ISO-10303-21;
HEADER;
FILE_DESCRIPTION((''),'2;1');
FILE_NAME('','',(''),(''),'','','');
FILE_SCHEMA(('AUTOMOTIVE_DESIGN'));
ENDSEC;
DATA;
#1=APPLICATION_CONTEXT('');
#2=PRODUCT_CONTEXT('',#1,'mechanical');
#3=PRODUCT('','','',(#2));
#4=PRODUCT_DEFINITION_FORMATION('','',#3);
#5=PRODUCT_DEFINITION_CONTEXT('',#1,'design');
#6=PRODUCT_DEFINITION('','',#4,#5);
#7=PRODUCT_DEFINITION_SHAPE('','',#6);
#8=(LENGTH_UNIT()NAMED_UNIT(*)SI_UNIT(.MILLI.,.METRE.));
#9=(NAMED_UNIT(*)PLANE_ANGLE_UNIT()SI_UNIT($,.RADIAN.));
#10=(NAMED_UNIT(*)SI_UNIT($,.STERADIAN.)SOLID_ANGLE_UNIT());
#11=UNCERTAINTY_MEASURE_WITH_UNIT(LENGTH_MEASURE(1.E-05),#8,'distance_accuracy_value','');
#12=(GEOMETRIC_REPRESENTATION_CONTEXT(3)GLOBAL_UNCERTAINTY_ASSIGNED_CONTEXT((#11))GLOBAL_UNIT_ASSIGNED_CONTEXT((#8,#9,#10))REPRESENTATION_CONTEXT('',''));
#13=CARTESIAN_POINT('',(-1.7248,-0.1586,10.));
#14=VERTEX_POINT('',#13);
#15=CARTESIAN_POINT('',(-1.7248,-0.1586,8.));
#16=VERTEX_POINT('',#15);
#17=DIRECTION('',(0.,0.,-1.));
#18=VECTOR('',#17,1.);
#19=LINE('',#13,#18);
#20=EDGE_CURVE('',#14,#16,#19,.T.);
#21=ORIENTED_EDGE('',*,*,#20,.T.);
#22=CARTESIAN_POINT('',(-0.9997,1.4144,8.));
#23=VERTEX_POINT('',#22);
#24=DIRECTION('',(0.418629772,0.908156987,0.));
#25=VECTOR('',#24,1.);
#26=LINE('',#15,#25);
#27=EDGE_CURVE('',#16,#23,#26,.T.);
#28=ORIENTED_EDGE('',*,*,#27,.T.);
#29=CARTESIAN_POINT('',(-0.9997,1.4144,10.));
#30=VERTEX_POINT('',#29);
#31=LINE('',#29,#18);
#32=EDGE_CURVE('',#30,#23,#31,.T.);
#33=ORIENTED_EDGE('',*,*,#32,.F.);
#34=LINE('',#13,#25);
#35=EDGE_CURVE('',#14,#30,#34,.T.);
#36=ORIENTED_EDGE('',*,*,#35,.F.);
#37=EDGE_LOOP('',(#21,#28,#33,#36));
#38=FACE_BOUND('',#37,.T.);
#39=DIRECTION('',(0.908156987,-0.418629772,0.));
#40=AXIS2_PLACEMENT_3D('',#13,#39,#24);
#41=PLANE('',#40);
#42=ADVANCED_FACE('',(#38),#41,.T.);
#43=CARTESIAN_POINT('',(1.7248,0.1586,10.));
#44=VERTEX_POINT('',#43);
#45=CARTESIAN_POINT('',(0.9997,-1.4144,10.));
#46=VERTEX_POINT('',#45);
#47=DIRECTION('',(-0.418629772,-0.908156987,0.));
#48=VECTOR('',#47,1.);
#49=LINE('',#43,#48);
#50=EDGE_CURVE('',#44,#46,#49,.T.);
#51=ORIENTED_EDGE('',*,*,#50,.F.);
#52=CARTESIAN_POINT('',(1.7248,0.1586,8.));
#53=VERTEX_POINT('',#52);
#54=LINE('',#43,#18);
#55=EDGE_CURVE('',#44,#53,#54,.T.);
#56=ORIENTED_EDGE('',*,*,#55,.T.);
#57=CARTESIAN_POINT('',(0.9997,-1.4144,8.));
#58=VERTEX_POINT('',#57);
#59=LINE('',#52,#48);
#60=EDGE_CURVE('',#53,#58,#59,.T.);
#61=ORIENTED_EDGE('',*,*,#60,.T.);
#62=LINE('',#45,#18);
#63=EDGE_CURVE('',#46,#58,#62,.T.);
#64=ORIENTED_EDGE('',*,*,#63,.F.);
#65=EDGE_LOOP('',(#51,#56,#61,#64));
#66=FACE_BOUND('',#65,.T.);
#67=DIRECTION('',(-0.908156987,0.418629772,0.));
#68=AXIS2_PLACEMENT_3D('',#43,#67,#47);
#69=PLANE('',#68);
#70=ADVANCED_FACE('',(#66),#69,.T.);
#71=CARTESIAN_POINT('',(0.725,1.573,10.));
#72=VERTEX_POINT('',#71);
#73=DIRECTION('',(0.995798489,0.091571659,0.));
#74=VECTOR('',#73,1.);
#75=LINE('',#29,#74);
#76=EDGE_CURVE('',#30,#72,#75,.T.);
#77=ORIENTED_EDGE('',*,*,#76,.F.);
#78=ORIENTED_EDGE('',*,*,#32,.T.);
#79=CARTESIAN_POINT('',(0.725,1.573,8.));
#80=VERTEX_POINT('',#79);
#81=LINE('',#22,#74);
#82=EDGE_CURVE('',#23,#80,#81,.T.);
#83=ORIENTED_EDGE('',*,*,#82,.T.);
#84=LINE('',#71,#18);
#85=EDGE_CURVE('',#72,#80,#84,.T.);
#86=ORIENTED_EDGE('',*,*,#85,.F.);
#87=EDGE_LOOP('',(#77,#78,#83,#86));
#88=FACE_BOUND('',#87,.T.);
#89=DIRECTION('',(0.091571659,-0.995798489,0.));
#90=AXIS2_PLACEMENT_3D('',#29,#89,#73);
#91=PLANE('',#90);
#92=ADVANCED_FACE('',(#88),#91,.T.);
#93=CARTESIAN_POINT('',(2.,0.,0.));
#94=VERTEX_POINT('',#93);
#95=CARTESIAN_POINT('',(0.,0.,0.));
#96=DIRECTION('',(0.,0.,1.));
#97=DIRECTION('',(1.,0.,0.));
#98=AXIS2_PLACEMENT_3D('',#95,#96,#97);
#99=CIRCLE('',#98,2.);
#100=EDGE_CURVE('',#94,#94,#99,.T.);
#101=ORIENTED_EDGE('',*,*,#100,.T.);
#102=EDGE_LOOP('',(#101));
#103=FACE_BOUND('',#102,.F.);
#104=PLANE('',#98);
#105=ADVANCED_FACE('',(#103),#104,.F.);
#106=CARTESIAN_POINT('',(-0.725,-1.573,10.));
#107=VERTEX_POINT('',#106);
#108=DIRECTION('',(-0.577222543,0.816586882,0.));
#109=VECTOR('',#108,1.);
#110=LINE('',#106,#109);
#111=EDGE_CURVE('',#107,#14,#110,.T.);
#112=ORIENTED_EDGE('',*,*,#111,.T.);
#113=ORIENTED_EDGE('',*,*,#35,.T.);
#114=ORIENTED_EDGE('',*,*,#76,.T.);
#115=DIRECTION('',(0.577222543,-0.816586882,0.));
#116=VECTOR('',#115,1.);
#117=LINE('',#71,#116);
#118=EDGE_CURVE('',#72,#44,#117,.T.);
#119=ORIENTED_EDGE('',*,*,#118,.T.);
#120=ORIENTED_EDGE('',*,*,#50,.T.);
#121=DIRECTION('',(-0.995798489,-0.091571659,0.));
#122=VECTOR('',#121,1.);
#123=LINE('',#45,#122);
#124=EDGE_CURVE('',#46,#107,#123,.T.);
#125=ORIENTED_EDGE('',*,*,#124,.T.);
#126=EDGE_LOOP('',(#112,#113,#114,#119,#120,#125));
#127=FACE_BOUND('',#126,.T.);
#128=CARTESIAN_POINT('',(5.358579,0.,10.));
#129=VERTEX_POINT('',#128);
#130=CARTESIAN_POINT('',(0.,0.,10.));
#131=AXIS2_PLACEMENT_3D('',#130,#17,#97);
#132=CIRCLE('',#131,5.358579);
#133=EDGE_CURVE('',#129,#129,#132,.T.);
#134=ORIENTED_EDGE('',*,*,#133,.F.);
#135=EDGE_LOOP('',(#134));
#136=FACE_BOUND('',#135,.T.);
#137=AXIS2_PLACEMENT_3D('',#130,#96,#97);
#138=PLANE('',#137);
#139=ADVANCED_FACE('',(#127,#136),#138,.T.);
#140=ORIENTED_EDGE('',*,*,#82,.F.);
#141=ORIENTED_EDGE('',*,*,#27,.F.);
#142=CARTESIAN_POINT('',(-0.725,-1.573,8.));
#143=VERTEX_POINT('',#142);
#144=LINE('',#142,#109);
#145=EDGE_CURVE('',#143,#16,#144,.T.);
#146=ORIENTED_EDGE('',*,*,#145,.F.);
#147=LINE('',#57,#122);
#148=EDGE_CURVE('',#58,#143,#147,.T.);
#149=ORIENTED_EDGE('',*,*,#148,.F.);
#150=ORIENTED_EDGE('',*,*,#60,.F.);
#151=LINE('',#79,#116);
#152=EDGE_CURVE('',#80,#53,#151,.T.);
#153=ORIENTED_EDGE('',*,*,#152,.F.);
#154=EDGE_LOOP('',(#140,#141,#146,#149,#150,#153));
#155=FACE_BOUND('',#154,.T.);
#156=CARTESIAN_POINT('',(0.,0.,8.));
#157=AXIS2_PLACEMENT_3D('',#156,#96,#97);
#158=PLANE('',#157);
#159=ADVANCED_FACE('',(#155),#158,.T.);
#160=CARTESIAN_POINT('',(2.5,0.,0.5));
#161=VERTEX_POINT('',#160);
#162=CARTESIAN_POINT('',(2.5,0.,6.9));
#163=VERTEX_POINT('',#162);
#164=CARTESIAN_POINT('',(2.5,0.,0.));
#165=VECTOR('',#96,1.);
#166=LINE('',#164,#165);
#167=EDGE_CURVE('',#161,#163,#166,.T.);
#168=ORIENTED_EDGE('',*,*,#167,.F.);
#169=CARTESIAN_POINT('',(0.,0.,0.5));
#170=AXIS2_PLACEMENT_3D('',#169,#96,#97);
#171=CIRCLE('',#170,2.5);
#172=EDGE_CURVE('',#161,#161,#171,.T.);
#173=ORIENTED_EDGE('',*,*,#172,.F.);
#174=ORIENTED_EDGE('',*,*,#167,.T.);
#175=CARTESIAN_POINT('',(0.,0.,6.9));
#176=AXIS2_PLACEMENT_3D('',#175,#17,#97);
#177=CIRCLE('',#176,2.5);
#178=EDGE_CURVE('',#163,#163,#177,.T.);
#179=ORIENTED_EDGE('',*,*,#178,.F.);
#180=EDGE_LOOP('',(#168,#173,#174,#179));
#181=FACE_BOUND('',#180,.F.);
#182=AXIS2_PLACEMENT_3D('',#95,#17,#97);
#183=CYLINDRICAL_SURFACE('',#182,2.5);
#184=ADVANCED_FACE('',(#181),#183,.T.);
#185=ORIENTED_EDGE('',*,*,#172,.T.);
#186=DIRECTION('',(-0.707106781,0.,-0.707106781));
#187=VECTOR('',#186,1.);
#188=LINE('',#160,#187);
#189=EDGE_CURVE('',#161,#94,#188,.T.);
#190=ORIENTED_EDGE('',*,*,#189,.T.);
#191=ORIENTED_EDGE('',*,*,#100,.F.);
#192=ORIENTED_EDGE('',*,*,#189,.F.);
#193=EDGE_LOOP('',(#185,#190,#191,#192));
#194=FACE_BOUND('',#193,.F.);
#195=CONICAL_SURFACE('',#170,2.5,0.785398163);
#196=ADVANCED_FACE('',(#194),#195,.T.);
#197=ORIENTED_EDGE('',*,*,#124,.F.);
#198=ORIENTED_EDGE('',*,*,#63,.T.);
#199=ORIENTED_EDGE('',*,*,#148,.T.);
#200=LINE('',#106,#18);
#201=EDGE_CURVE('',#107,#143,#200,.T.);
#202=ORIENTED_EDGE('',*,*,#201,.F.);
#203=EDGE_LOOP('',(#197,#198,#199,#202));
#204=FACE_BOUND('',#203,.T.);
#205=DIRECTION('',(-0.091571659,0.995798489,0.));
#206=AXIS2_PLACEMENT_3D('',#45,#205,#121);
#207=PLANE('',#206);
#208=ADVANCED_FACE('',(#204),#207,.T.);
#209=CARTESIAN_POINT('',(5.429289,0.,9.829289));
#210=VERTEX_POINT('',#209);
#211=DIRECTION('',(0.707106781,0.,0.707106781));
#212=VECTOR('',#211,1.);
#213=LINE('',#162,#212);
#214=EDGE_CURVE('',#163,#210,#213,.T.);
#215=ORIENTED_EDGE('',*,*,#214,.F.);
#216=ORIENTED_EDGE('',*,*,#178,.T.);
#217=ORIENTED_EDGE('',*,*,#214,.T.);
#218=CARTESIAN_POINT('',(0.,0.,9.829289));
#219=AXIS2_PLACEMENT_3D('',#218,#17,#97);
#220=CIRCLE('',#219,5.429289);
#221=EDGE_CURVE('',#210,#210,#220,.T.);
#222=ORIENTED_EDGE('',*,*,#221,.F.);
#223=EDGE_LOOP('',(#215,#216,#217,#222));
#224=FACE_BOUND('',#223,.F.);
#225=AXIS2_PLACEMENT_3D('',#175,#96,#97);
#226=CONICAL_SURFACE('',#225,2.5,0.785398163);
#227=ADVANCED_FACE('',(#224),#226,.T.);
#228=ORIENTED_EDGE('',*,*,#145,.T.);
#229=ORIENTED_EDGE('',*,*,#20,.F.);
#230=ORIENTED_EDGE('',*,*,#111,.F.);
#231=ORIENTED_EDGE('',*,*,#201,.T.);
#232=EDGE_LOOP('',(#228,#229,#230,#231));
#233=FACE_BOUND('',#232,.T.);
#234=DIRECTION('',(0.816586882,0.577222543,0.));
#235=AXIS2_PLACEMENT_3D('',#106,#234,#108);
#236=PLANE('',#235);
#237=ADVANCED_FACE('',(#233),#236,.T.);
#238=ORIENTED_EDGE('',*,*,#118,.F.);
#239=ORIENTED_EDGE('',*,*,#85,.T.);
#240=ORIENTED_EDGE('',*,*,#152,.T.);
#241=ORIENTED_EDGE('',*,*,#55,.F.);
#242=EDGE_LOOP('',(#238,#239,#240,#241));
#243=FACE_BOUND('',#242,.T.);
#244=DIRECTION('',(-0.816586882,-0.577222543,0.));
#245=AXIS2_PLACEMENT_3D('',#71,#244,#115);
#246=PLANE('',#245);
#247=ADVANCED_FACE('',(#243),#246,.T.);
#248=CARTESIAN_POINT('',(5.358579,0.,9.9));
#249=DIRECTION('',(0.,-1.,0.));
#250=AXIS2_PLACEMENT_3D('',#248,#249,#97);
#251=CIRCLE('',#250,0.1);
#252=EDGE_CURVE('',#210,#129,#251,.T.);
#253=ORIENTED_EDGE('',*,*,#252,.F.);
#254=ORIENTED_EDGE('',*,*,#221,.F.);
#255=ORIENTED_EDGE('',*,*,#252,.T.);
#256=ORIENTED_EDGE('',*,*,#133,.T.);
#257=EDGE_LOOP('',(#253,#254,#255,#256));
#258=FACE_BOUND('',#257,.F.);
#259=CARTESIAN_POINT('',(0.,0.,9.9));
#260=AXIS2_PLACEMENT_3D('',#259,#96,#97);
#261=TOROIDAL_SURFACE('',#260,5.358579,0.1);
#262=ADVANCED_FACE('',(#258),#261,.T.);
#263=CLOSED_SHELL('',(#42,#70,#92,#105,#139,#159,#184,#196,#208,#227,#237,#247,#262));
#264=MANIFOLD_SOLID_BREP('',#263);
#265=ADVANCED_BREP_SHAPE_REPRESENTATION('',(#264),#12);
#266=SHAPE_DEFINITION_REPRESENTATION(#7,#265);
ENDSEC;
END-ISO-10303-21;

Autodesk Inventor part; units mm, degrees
ref_plane "YZ Plane" through (0, 0, 0) normal (1, 0, 0) x (0, 1, 0)
ref_plane "XZ Plane" through (0, 0, 0) normal (0, 1, 0) x (-1, 0, 0)
ref_plane "XY Plane" through (0, 0, 0) normal (0, 0, 1) x (1, 0, 0)
sketch "Sketch1" plane through (0, 0, 0) normal (0, 0, 1) x (1, 0, 0)
  circle A0 centre (0, 0) radius 2.5
  dimension "Diameter" = 5
extrude "Extrusion1" add sketch "Sketch1" along normal blind 6.9
sketch "Sketch2" plane through (0, 0, 6.9) normal (0, 0, 1) x (1, 0, 0)
  circle A0 centre (0, 0) radius 2.5 projected
extrude "Extrusion2" add sketch "Sketch2" along normal blind 3.1 draft 45
sketch "Sketch3" plane through (0, 0, 10) normal (0, 0, 1) x (1, 0, 0)
  circle A0 centre (0, 0) radius 5.6 projected
  circle A1 centre (0, 0) radius 1.7321 construction
  line L0 (0.725, 1.573) -> (1.7248, 0.1586)
  line L1 (1.7248, 0.1586) -> (0.9997, -1.4144)
  line L2 (0.9997, -1.4144) -> (-0.725, -1.573)
  line L3 (-0.725, -1.573) -> (-1.7248, -0.1586)
  line L4 (-1.7248, -0.1586) -> (-0.9997, 1.4144)
  line L5 (-0.9997, 1.4144) -> (0.725, 1.573)
  dimension "Hex_Width" = 3
extrude "Extrusion3" cut sketch "Sketch3" against normal blind 2 contours L0 L1 L2 L3 L4 L5
thread "Thread1" size "M5x0.8" class "4g6g" standard "ANSI Metric M Profile" length 6.9
chamfer "Chamfer2" distance 0.5 angle 45 1 edges at (-2.5, 0, 0)
fillet "Fillet1" radius 0.1 1 edges at (-5.6, 0, 10)
equation "\"d10\" = Thread_Length"
equation "\"d13\" = Chamfer"
equation "\"Thread_Length\" = 6.9"
equation "\"Chamfer\" = 0.5"
properties part number "SCREW, FLAT HD, P, 5, M5X0_8X10MM"
